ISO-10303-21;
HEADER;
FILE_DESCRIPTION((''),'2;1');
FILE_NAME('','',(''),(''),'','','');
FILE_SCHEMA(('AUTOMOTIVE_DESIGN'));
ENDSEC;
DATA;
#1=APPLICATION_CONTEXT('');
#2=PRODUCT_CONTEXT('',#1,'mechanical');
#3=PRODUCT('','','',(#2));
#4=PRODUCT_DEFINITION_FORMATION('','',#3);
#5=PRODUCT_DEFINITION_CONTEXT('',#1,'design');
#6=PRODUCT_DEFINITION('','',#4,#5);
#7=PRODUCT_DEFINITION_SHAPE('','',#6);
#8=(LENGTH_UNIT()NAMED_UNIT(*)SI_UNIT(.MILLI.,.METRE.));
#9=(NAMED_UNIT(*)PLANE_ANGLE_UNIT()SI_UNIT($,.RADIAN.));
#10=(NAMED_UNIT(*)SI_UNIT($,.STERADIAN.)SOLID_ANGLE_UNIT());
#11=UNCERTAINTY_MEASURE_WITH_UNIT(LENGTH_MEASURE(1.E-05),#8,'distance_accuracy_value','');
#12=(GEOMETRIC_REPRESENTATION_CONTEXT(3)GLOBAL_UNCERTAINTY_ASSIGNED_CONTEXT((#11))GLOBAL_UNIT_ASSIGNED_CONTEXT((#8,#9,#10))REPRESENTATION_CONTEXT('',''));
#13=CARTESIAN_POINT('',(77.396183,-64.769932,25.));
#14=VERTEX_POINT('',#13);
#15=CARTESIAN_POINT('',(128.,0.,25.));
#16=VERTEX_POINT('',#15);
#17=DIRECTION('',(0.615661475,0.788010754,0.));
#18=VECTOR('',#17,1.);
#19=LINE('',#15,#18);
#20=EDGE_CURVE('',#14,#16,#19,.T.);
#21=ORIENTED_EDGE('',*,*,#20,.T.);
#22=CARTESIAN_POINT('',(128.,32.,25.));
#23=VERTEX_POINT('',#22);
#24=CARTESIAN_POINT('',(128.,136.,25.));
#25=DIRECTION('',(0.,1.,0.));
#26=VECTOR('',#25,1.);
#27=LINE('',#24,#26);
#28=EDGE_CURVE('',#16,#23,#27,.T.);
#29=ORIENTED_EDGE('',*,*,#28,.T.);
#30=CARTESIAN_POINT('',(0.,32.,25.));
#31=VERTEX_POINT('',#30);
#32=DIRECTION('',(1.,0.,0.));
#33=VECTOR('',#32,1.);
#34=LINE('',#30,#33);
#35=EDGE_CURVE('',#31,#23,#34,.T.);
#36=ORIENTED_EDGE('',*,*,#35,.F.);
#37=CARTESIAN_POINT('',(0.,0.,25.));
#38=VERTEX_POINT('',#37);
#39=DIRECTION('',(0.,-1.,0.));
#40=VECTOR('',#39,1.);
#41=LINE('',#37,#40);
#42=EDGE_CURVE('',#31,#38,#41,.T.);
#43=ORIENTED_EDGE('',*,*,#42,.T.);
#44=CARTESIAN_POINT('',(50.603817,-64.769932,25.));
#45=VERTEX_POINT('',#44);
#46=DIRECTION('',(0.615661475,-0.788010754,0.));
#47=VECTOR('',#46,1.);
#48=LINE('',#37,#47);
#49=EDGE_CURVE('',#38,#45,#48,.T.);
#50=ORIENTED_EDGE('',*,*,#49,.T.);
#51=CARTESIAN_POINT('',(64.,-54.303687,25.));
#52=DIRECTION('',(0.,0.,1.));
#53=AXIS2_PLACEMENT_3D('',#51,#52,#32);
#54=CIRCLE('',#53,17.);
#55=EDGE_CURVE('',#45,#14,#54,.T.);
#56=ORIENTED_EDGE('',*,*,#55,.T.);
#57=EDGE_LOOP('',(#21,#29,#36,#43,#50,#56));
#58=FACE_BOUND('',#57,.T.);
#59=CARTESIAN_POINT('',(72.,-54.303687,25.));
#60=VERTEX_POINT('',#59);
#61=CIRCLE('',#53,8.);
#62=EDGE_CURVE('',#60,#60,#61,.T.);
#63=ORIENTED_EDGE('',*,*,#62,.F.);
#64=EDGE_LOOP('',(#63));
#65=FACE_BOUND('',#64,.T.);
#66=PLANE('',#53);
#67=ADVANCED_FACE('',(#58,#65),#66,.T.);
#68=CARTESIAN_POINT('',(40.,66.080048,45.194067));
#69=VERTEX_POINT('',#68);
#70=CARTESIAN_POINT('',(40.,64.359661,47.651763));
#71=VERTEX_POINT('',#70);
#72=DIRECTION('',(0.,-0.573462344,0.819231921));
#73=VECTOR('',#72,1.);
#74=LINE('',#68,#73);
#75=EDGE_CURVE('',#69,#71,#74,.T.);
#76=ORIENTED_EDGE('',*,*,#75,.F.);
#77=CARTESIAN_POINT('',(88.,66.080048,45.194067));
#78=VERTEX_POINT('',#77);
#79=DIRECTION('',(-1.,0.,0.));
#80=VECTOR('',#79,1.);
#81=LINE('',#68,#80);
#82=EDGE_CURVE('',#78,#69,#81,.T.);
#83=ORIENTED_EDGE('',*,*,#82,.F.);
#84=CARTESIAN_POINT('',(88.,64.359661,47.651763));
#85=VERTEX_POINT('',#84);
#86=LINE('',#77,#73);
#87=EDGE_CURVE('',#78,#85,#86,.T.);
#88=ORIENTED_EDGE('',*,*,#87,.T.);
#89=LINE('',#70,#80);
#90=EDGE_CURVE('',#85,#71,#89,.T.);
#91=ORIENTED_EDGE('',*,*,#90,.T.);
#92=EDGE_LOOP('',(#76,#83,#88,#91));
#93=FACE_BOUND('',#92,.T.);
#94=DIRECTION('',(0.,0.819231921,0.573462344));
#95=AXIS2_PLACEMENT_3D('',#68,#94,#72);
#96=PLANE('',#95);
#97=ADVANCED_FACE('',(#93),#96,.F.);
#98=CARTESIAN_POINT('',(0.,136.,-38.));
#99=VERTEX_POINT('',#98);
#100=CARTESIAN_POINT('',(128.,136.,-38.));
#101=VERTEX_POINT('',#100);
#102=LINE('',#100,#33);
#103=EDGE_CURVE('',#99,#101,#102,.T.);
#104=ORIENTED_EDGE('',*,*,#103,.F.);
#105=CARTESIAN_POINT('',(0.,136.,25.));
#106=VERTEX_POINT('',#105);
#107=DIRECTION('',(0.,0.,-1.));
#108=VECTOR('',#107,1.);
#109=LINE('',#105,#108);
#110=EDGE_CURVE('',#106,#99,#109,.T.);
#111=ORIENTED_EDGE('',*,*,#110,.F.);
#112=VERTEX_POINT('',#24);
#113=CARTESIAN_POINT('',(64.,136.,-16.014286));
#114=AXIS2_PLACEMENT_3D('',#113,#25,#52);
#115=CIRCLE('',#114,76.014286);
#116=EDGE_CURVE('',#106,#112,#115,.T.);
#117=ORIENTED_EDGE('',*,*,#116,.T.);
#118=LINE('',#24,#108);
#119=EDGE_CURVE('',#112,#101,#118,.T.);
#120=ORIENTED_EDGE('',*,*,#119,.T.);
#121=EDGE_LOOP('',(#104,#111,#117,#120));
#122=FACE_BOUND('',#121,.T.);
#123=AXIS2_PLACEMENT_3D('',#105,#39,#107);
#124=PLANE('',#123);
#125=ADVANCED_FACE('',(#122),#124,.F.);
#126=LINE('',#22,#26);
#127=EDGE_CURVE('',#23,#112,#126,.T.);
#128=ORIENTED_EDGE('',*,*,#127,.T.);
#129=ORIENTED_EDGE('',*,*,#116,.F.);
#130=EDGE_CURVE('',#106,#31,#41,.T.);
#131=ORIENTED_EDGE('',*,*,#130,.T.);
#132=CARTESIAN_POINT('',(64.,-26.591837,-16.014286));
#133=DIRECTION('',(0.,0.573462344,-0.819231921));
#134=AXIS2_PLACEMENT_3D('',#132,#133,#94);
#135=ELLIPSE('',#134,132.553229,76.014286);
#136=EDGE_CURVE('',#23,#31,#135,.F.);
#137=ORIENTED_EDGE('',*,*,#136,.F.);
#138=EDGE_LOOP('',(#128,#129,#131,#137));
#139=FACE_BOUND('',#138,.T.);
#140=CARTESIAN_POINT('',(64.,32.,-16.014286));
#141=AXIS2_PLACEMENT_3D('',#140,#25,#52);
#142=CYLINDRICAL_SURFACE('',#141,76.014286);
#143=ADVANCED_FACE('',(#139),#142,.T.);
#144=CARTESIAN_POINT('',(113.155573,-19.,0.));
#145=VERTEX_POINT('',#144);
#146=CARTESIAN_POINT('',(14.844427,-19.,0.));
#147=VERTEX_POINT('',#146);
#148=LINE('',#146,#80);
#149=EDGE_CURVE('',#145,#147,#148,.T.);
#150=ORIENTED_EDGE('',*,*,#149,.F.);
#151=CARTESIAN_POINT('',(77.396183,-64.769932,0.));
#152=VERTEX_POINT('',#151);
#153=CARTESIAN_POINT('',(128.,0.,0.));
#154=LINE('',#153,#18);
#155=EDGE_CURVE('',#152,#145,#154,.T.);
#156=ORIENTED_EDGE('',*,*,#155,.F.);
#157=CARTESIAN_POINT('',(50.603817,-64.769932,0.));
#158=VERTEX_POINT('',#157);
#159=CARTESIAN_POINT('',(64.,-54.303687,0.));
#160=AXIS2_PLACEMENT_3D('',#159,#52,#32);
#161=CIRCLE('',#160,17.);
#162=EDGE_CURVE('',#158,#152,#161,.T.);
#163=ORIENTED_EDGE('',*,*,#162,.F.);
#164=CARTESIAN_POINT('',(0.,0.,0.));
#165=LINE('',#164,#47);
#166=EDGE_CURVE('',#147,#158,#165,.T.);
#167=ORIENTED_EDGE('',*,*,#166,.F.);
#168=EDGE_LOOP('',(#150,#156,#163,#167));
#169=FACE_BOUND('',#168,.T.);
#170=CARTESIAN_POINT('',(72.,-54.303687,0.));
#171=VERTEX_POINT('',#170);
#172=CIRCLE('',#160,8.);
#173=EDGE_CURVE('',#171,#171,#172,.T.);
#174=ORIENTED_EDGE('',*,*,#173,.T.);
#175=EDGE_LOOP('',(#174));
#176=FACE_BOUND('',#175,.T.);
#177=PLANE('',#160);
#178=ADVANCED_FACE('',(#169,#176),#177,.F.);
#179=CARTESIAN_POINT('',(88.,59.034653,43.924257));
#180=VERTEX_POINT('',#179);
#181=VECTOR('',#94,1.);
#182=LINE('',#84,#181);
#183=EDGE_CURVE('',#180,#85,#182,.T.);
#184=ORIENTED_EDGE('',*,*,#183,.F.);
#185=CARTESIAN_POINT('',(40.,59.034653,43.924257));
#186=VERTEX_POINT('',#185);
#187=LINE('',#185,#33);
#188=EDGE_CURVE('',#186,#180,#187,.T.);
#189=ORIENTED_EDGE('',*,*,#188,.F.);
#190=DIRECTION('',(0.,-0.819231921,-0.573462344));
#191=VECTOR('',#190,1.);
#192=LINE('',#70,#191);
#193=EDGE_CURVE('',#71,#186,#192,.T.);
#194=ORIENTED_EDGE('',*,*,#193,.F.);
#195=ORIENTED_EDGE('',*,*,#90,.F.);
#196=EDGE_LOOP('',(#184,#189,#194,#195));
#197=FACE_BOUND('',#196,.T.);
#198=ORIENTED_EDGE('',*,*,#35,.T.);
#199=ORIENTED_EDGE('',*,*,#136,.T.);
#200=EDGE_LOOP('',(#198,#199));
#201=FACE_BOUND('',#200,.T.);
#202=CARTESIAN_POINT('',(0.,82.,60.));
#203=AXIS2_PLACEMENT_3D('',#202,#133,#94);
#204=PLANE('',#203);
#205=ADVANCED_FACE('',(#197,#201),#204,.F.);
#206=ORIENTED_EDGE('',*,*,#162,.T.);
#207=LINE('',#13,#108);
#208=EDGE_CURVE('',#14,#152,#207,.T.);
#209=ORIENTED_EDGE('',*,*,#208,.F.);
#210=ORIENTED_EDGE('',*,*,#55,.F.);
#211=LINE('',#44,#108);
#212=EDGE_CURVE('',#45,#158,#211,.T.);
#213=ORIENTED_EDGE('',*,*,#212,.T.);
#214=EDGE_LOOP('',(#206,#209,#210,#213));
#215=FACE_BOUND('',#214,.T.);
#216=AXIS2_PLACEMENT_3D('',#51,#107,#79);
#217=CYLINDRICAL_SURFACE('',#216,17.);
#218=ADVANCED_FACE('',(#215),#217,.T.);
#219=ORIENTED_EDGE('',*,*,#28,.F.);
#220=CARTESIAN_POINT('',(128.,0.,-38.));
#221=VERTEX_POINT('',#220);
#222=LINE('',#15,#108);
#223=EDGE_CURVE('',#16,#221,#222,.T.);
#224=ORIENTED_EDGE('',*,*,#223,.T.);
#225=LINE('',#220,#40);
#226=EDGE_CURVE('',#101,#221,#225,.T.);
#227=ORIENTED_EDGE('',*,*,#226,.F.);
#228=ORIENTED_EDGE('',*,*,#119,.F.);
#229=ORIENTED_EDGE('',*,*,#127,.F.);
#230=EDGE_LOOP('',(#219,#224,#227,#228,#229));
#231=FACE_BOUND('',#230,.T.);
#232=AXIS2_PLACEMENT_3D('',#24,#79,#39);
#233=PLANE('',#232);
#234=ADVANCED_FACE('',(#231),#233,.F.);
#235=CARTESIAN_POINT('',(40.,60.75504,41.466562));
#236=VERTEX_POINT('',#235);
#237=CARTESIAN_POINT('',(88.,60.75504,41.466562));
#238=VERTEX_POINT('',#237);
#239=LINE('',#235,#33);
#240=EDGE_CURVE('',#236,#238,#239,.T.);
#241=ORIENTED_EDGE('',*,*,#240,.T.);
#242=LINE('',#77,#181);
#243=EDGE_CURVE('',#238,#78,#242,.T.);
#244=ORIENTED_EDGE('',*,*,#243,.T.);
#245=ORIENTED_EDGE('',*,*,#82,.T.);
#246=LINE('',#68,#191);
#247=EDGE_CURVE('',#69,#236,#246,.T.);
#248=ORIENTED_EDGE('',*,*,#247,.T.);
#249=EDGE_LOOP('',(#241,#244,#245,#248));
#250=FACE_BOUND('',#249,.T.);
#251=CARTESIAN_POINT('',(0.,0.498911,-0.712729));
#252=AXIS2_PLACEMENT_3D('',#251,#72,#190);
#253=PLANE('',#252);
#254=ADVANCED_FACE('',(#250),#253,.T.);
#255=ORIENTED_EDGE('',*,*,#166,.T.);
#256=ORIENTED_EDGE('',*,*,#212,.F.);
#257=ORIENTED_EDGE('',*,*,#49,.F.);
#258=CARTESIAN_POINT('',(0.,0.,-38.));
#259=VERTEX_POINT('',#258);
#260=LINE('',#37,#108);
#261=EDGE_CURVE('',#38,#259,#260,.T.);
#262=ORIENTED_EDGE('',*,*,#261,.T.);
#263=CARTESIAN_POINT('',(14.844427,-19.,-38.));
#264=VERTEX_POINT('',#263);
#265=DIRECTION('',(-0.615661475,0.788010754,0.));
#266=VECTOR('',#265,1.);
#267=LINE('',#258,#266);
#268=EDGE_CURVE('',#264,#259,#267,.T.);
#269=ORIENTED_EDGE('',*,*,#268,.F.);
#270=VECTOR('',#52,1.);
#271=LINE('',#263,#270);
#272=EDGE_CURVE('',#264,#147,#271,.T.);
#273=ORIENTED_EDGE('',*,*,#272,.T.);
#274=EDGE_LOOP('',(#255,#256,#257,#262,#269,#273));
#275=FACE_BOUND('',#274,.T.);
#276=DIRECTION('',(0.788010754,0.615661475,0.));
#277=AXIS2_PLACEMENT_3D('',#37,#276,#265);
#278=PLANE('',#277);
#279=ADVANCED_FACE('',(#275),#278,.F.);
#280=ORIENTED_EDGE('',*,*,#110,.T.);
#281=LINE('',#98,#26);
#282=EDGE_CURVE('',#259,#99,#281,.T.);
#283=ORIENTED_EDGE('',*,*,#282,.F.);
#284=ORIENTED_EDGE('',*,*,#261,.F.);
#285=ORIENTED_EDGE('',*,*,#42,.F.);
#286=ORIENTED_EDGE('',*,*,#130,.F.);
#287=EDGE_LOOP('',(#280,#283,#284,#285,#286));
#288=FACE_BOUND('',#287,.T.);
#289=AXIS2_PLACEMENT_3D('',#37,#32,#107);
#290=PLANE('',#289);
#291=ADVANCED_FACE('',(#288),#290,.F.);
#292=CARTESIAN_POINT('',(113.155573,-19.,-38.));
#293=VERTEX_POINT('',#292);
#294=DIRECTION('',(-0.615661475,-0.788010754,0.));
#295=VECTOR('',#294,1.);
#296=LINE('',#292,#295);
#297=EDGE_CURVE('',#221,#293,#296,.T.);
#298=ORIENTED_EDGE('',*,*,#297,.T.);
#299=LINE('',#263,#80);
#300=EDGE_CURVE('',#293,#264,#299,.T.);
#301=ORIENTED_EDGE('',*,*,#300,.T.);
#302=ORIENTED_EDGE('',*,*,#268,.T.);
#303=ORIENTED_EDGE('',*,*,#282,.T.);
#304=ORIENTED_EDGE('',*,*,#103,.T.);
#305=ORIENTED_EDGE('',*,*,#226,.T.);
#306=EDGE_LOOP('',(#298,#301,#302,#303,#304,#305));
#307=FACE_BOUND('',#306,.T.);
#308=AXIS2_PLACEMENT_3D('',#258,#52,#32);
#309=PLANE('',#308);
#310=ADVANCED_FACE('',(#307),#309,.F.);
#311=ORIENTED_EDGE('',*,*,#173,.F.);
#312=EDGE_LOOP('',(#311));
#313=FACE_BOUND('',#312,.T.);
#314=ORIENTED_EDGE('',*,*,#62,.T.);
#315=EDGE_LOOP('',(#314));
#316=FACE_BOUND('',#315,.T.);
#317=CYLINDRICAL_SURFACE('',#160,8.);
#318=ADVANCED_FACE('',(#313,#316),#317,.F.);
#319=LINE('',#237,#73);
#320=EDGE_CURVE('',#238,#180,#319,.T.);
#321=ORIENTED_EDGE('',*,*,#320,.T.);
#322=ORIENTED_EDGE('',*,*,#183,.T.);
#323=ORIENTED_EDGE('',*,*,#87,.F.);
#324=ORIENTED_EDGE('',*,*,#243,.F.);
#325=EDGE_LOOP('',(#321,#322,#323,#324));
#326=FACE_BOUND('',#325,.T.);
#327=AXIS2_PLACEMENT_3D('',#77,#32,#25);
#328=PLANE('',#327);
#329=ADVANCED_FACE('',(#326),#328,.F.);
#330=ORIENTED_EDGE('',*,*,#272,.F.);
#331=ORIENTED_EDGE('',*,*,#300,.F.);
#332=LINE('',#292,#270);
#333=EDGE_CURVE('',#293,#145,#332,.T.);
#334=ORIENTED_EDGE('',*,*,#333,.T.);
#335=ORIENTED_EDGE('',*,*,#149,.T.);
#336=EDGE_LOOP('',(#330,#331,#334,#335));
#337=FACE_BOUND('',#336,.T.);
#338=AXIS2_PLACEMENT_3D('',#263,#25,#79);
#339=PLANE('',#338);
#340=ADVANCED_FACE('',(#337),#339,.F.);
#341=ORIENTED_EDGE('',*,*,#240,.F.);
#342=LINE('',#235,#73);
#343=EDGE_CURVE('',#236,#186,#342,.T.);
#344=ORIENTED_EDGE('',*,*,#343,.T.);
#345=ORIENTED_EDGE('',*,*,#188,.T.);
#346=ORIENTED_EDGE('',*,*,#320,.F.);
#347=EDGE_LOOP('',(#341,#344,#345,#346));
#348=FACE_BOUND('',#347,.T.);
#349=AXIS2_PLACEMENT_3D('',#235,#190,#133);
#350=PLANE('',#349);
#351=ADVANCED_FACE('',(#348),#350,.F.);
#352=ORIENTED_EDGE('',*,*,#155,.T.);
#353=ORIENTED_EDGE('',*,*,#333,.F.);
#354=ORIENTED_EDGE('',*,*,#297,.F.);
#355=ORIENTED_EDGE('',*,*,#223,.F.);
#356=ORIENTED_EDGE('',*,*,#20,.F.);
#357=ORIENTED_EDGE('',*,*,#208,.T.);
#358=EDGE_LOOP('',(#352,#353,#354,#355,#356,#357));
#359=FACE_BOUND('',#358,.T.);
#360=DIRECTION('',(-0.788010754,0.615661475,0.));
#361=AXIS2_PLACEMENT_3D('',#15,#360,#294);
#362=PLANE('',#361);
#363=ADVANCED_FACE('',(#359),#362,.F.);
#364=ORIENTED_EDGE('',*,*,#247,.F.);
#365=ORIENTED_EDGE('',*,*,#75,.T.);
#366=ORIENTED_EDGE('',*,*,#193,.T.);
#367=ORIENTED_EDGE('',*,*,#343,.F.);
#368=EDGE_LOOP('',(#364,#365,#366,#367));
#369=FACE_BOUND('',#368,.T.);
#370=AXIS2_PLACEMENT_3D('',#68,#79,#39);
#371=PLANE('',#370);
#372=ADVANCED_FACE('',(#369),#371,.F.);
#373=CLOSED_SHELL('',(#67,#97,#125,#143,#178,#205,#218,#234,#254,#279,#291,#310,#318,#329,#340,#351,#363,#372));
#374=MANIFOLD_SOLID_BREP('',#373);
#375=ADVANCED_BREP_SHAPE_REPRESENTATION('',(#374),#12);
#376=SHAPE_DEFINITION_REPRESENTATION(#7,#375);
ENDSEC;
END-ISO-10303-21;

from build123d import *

# Parameters (mm, degrees)
EXTRUDE_1_DEPTH     = 25
EXTRUDE_2_DEPTH     = 104
CUT_EXTRUDE_1_DEPTH = 197.163197364
SKETCH_4_W          = 48
SKETCH_4_H          = 6.5
CUT_EXTRUDE_2_DEPTH = 3
SKETCH_5_R          = 8
CUT_EXTRUDE_3_DEPTH = 191.013157439
EXTRUDE_3_DEPTH     = 38


with BuildPart() as part:
    # Эскиз1 → Бобышка-Вытянуть1 (new body)
    with BuildSketch(Plane.XY):
        with BuildLine():
            Line((0, 0), (0, 136))
            Line((0, 136), (128, 136))
            Line((128, 136), (128, 0))
            Line((128, 0), (77.396182811, -64.769932368))
            ThreePointArc((77.396182811, -64.769932368), (64, -71.303687287), (50.603817189, -64.769932368))
            Line((50.603817189, -64.769932368), (0, 0))
        make_face()
    extrude(amount=EXTRUDE_1_DEPTH)

    # Эскиз2 → Бобышка-Вытянуть2 (add)
    with BuildSketch(Plane(origin=(0, 136, 0), x_dir=(1, 0, 0), z_dir=(0, 1, 0))):
        with BuildLine():
            Line((0, -25), (128, -25))
            ThreePointArc((128, -25), (64, -60), (0, -25))
        make_face()
    extrude(amount=-EXTRUDE_2_DEPTH)

    # Эскиз3 → Вырез-Вытянуть1 (cut, through all)
    with BuildSketch(Plane(origin=(128, 0, 0), x_dir=(0, 0, -1), z_dir=(1, 0, 0))):
        Polygon((-25, 32), (-60, 32), (-60, 82), align=None)
    extrude(amount=-CUT_EXTRUDE_1_DEPTH, mode=Mode.SUBTRACT)

    # Эскиз4 → Вырез-Вытянуть2 (cut)
    with BuildSketch(Plane(origin=(0, -1.22147651, 1.744966443), x_dir=(1, 0, 0), z_dir=(0, -0.5734623443633285, 0.8192319205190403))):
        with Locations((64, 76.801980066)):
            Rectangle(SKETCH_4_W, SKETCH_4_H)
    extrude(amount=-CUT_EXTRUDE_2_DEPTH, mode=Mode.SUBTRACT)

    # Эскиз5 → Вырез-Вытянуть3 (cut, through all)
    with BuildSketch(Plane.XY.offset(25)):
        with Locations((64, -54.303687287)):
            Circle(SKETCH_5_R)
    extrude(amount=-CUT_EXTRUDE_3_DEPTH, mode=Mode.SUBTRACT)

    # Эскиз6 → Бобышка-Вытянуть3 (add)
    with BuildSketch(Plane(origin=(0, 0, 0), x_dir=(-1, 0, 0), z_dir=(0, 0, -1))):
        Polygon((-128, 136), (0, 136), (0, 0), (-14.844426904, -19), (-113.155573096, -19), (-128, 0), align=None)
    extrude(amount=EXTRUDE_3_DEPTH)


solid = part.part
